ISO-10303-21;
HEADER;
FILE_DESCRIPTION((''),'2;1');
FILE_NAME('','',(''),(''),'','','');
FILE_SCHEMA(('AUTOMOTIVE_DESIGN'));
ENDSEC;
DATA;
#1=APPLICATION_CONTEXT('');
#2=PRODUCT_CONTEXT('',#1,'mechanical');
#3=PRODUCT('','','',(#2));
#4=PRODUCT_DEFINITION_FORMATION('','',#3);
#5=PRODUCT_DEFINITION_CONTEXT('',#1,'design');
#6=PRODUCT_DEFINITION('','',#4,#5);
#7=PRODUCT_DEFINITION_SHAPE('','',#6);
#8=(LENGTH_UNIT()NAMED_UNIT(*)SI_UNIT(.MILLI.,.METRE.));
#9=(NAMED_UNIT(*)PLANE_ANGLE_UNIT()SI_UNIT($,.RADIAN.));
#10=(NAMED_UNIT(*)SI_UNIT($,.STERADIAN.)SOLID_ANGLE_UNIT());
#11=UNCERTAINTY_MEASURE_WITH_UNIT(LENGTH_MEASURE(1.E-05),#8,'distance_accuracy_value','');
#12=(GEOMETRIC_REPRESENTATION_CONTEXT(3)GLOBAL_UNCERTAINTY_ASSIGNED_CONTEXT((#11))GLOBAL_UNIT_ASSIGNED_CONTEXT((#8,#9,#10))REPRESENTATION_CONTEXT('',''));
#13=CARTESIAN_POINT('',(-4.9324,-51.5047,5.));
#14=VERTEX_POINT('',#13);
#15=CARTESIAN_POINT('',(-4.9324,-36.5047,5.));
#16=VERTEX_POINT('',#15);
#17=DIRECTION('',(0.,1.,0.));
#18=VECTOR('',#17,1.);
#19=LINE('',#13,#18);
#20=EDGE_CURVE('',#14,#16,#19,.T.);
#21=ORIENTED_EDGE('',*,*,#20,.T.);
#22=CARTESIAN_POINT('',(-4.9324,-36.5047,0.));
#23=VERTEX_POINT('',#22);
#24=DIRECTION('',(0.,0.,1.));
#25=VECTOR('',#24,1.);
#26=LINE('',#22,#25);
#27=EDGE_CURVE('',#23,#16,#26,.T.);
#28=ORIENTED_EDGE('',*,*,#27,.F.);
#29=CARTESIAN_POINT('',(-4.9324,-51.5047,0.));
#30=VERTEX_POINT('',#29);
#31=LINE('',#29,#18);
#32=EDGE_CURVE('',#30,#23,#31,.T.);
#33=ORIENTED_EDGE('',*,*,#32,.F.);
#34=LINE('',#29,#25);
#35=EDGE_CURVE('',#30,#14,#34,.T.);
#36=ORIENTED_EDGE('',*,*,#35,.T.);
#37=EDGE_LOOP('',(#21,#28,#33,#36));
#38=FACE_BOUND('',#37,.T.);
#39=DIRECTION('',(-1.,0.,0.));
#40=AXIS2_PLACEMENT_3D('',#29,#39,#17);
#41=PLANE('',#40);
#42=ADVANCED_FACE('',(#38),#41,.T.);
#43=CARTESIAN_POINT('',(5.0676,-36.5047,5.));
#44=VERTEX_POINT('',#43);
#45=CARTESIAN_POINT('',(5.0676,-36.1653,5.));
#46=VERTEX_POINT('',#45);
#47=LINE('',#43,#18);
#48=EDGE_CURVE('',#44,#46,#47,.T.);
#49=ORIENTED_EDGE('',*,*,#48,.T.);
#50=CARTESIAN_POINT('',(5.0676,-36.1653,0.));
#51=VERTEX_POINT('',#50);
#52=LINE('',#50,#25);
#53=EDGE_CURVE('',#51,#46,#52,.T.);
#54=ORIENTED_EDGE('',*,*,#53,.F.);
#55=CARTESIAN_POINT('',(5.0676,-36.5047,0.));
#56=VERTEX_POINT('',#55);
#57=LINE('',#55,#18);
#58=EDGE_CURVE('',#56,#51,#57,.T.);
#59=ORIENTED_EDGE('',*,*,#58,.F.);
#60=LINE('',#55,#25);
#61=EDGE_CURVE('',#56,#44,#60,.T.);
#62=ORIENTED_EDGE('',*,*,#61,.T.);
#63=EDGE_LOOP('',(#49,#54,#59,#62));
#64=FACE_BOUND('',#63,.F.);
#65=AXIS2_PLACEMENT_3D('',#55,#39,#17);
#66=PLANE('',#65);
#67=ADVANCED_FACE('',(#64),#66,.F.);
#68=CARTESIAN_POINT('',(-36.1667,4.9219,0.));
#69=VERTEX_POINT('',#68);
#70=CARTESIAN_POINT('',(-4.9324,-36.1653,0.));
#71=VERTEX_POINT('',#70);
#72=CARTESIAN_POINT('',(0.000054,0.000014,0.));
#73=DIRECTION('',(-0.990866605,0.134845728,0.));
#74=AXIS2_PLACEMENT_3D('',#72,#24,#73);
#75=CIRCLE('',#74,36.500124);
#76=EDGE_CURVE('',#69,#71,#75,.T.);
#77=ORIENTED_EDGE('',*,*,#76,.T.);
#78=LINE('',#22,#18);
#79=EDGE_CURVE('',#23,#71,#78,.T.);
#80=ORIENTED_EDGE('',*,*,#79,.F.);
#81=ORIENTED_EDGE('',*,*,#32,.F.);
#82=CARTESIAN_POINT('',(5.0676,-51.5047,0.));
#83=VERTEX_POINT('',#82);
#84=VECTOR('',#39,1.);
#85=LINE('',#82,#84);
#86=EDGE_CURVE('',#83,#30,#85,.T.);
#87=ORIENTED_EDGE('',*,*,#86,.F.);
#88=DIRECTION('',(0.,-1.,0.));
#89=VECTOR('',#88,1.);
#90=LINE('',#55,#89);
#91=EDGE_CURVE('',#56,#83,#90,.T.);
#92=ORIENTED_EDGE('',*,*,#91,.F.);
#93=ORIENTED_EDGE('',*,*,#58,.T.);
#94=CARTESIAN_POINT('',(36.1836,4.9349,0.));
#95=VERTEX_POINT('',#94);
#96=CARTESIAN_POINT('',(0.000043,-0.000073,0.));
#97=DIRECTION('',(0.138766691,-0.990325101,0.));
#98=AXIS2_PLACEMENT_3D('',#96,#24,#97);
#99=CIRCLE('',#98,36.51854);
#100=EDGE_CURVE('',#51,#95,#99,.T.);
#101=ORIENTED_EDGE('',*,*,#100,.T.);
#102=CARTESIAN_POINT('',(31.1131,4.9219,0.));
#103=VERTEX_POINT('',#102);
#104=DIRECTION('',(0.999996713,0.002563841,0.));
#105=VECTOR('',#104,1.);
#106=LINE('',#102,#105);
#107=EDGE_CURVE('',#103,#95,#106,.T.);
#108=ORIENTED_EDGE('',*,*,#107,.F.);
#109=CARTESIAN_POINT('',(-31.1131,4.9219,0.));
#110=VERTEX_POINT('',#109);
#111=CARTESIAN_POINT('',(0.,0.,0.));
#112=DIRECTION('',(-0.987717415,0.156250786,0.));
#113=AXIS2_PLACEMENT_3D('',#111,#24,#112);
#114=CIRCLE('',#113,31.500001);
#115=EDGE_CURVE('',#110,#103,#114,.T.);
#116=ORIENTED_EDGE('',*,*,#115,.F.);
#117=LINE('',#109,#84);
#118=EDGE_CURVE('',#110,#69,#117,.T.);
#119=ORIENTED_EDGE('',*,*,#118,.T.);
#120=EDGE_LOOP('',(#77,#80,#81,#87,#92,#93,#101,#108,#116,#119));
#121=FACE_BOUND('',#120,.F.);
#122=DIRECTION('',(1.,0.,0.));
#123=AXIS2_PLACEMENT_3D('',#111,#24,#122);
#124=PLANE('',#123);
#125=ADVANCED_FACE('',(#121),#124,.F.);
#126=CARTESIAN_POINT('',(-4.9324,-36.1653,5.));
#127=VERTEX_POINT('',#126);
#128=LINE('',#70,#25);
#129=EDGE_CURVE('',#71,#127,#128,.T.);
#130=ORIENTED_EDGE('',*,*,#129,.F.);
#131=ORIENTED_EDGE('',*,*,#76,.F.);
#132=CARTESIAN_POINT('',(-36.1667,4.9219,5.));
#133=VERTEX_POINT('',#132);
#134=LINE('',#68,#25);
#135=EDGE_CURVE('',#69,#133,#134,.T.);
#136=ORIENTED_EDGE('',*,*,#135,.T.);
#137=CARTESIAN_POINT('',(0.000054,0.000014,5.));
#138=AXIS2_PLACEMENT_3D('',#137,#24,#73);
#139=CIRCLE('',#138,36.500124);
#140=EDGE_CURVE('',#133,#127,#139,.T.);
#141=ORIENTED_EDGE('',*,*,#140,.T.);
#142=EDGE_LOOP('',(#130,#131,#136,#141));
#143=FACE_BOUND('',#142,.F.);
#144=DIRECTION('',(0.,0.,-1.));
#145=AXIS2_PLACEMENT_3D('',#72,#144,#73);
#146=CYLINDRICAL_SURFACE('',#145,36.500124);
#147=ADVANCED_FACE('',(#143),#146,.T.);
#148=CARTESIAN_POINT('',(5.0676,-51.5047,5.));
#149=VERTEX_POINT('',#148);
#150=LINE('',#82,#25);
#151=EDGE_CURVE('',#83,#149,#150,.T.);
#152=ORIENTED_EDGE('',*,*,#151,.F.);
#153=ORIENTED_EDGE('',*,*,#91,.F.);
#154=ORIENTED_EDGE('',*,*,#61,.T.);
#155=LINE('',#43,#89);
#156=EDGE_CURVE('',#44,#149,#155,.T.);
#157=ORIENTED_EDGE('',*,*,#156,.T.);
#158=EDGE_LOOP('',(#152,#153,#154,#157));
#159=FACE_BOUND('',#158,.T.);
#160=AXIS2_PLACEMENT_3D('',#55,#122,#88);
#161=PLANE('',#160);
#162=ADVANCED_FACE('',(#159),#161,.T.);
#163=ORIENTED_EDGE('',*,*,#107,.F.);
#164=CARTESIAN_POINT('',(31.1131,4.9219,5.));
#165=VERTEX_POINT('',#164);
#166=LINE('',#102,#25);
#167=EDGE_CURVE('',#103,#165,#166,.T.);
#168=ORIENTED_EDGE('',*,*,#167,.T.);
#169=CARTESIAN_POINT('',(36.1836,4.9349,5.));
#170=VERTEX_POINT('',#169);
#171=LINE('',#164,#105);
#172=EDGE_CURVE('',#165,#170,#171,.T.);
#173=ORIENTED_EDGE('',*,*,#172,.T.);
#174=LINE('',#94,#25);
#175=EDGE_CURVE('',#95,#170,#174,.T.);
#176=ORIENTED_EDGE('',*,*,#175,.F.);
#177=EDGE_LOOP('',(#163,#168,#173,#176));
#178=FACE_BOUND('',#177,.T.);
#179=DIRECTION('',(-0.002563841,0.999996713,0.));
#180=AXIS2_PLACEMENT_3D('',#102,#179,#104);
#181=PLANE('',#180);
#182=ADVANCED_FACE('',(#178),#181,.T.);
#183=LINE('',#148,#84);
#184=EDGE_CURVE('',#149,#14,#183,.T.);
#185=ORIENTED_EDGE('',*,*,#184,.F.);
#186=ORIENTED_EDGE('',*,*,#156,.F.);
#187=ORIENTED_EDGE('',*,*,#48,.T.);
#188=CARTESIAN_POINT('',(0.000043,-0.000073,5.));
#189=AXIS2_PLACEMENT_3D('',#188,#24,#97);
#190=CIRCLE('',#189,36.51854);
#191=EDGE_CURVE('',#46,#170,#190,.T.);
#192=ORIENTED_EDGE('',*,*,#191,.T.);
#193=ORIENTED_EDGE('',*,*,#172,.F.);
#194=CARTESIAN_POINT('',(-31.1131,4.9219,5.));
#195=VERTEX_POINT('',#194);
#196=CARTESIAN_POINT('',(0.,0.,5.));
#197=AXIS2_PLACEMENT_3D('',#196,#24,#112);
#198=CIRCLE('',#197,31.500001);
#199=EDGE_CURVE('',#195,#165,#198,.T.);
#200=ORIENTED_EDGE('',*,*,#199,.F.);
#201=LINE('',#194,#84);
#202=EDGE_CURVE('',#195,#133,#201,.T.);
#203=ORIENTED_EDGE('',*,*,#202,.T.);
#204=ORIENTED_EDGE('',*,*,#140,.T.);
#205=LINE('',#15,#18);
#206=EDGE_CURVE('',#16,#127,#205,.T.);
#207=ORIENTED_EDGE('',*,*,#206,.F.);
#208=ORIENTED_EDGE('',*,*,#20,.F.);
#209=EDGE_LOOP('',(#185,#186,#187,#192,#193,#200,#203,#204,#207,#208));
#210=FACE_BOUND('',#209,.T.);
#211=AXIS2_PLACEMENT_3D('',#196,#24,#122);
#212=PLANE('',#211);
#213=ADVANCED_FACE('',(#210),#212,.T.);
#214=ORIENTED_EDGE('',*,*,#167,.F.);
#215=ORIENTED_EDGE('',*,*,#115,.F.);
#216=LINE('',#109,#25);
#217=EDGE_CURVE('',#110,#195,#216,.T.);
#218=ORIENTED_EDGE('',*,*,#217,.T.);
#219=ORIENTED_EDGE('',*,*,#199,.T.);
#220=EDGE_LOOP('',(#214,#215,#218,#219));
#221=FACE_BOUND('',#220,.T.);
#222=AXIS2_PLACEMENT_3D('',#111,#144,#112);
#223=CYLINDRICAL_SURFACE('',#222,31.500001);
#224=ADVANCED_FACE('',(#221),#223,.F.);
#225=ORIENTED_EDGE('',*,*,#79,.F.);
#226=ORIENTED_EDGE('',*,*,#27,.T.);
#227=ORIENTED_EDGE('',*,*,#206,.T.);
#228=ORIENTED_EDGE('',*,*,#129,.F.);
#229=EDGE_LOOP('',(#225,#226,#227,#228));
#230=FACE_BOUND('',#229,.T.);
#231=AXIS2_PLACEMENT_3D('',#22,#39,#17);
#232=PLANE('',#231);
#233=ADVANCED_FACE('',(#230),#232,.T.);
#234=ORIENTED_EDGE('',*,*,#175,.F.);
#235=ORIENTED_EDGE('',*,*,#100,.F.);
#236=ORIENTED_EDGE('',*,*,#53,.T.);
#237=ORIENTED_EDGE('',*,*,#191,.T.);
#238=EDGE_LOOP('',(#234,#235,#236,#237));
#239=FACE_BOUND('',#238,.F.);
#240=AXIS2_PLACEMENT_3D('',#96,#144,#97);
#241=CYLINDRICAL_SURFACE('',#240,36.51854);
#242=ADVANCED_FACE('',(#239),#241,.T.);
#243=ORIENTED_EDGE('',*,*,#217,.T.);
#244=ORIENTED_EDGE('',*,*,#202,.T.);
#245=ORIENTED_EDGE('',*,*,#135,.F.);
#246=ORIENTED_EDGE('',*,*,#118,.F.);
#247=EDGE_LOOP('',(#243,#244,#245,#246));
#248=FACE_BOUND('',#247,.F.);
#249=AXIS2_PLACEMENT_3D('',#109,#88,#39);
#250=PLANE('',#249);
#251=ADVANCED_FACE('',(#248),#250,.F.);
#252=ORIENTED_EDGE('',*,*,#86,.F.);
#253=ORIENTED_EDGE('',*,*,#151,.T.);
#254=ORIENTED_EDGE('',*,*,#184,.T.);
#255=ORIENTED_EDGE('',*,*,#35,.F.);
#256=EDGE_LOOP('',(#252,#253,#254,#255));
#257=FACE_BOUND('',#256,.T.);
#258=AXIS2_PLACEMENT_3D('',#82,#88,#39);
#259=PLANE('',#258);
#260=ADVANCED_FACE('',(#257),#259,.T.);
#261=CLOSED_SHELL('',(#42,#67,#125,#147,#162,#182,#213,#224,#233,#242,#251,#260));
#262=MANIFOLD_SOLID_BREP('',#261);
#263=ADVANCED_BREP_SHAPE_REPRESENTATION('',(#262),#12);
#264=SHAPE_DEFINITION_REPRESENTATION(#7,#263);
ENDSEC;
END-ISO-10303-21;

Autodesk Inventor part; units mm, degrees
ref_plane "YZ Plane" through (0, 0, 0) normal (1, 0, 0) x (0, 1, 0)
ref_plane "XZ Plane" through (0, 0, 0) normal (0, 1, 0) x (-1, 0, 0)
ref_plane "XY Plane" through (0, 0, 0) normal (0, 0, 1) x (1, 0, 0)
sketch "Sketch1" plane through (0, 0, 0) normal (0, 0, 1) x (1, 0, 0)
  arc A0 (-31.1131, 4.9219) -> (31.1131, 4.9219) centre (0, 0) ccw
  line L0 (-31.1131, 4.9219) -> (-36.1667, 4.9219)
  line L1 (31.1131, 4.9219) -> (36.1836, 4.9349)
  line L2 (31.1131, 4.9219) -> (36.1836, 4.9349) construction
  line L3 (5.0676, -36.5047) -> (5.0676, -51.5047)
  line L4 (5.0676, -51.5047) -> (-4.9324, -51.5047)
  line L5 (-4.9324, -51.5047) -> (-4.9324, -36.5047)
  line L6 (-4.9324, -36.5047) -> (-4.9324, -36.1653)
  line L7 (5.0676, -36.5047) -> (5.0676, -36.1653)
  arc A1 (-36.1667, 4.9219) -> (-4.9324, -36.1653) centre (0, 0) ccw
  arc A2 (5.0676, -36.1653) -> (36.1836, 4.9349) centre (0, 0) ccw
  dimension "d0" = 63
  dimension "d5" = 10
  dimension "d6" = 15
extrude "Extrusion1" add sketch "Sketch1" along normal blind 5
properties part number "Clip_TestFitV1"
